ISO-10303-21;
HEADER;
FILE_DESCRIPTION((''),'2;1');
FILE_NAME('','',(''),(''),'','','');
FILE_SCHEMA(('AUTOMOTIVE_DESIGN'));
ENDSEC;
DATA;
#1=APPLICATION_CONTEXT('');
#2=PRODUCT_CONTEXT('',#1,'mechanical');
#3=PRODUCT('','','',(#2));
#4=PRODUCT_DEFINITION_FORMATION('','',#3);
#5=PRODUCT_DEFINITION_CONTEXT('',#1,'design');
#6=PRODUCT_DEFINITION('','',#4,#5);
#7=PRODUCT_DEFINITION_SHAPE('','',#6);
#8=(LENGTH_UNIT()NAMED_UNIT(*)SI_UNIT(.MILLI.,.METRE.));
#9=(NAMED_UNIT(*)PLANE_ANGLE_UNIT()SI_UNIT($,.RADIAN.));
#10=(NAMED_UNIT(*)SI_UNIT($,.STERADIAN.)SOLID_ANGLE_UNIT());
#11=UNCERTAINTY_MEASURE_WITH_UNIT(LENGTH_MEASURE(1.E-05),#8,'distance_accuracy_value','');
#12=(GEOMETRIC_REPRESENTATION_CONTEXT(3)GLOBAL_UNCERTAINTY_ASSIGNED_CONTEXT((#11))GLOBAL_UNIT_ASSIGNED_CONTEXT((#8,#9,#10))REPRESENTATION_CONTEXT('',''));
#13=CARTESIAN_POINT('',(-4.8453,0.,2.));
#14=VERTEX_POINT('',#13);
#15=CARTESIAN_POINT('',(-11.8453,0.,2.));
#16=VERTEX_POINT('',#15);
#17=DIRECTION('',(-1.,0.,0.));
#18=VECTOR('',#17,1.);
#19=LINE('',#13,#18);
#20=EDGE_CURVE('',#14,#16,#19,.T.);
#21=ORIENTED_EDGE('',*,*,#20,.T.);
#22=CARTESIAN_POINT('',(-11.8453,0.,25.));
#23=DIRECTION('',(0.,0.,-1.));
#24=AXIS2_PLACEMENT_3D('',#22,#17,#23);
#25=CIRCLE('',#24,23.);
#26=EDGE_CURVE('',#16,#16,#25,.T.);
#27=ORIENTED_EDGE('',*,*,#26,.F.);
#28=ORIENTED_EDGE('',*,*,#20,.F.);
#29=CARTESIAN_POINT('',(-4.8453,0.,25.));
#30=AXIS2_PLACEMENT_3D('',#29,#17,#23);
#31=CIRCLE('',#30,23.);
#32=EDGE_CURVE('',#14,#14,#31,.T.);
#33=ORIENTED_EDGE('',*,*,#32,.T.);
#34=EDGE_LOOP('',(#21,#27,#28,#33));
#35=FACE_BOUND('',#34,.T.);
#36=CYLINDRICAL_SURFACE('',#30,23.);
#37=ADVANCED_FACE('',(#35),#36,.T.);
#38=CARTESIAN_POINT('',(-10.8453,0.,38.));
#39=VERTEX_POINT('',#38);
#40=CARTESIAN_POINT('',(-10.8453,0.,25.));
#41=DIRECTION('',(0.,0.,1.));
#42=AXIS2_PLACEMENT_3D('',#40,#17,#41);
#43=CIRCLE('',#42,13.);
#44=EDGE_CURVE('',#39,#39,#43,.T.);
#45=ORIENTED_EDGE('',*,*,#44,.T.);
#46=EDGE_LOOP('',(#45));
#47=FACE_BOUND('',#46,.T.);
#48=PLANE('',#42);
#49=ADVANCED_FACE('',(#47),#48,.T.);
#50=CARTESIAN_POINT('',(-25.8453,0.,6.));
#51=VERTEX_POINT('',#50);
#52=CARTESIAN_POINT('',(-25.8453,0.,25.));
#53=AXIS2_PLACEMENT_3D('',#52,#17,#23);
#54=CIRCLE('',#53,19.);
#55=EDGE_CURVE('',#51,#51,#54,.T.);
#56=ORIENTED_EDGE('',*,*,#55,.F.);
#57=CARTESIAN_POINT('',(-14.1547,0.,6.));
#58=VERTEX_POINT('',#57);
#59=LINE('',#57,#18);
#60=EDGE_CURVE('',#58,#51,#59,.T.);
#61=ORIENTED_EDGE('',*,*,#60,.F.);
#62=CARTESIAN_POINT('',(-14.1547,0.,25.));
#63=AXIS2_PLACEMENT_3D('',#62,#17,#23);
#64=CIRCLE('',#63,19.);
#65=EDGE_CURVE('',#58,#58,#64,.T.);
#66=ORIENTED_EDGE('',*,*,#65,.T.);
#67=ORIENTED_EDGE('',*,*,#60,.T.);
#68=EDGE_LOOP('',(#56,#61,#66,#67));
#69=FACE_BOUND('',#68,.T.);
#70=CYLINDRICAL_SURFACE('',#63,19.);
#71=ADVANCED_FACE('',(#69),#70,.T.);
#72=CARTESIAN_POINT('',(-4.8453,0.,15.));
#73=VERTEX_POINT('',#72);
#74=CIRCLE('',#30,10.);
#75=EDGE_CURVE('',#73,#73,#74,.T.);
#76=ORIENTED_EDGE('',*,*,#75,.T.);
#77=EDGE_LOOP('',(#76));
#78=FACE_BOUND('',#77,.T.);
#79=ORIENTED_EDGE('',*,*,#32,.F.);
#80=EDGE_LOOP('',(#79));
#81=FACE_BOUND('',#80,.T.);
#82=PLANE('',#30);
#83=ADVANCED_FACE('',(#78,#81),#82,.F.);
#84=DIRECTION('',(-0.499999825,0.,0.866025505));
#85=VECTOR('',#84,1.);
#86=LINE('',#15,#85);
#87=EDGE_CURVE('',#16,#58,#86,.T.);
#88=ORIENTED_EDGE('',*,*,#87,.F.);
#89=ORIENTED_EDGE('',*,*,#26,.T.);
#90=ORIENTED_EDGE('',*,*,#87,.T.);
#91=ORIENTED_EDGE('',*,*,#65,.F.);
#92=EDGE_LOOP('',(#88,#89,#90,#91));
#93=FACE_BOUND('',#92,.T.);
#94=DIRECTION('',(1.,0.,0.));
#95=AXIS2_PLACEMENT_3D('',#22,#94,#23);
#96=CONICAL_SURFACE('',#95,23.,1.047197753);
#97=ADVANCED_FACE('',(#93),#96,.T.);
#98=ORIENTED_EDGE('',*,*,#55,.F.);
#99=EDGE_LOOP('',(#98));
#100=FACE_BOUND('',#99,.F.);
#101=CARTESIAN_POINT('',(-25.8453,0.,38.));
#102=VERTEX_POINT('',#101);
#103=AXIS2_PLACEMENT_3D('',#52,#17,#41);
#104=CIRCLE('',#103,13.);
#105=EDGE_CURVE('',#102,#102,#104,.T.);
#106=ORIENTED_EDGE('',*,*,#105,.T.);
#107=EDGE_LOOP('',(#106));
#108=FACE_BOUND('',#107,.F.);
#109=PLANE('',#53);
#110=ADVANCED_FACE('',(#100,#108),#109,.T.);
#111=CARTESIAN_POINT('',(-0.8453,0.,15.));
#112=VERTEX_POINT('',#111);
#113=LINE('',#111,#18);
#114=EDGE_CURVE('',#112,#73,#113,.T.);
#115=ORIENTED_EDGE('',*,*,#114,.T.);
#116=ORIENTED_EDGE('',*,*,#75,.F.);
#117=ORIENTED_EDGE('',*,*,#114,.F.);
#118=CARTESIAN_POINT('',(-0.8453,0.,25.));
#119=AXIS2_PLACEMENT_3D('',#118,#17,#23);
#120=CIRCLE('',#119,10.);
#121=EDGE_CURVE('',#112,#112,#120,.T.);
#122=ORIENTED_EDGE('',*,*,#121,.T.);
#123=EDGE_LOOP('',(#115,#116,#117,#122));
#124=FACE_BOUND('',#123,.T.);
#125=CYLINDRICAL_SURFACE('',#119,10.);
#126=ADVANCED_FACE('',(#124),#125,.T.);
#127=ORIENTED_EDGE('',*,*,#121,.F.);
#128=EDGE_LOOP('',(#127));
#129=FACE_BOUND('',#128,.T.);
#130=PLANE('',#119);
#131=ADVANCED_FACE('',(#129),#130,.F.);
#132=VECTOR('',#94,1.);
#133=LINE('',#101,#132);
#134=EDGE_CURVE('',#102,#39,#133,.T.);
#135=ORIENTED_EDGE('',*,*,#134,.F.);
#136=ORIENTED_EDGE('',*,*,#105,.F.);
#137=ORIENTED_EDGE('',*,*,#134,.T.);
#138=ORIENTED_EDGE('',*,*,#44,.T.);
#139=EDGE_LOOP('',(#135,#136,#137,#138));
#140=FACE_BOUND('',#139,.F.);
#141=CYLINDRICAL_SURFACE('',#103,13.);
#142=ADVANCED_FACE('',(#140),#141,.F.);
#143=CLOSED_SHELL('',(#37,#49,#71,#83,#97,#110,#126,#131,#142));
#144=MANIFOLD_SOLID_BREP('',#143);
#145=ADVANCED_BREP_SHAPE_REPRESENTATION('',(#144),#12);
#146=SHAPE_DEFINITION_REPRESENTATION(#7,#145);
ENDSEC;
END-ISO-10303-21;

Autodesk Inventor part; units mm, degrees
ref_plane "YZ Plane" through (0, 0, 0) normal (1, 0, 0) x (0, 1, 0)
ref_plane "XZ Plane" through (0, 0, 0) normal (0, 1, 0) x (-1, 0, 0)
ref_plane "XY Plane" through (0, 0, 0) normal (0, 0, 1) x (1, 0, 0)
sketch "Sketch1" plane through (0, 0, 0) normal (0, 1, 0) x (-1, 0, 0)
  line L0 (0.8453, 25) -> (0.8453, 15)
  line L1 (0.8453, 15) -> (4.8453, 15)
  line L2 (4.8453, 15) -> (4.8453, 2)
  line L3 (0.8453, 25) -> (25.8453, 25)
  line L4 (25.8453, 25) -> (25.8453, 6)
  line L5 (4.8453, 2) -> (11.8453, 2)
  line L6 (11.8453, 2) -> (14.1547, 6)
  line L7 (14.1547, 6) -> (25.8453, 6)
  point P0 (0, 0)
  dimension "d1" = 10
  dimension "d2" = 4
  dimension "d3" = 13
  dimension "d13" = 25
  dimension "d14" = 19
  dimension "d16" = 7
  dimension "d17" = 60
  dimension "d19" = 4
revolve "Revolution1" add sketch "Sketch1" angle 360 about axis through (-0.8453, 0, 25) along (-1, 0, 0)
sketch "Sketch2" plane through (-25.8453, 0, 25) normal (-1, 0, 0) x (0, 0, 1)
  circle A0 centre (0, 0) radius 13
  point P0 (-25, 0)
  dimension "d21" = 26
extrude "Extrusion1" cut sketch "Sketch2" against normal blind 15
thread "Thread1" size "M30x1" class "6H" standard "ANSI Metric M Profile" full length
properties part number "00.32.012 \"Valve\"" material "Steel"
